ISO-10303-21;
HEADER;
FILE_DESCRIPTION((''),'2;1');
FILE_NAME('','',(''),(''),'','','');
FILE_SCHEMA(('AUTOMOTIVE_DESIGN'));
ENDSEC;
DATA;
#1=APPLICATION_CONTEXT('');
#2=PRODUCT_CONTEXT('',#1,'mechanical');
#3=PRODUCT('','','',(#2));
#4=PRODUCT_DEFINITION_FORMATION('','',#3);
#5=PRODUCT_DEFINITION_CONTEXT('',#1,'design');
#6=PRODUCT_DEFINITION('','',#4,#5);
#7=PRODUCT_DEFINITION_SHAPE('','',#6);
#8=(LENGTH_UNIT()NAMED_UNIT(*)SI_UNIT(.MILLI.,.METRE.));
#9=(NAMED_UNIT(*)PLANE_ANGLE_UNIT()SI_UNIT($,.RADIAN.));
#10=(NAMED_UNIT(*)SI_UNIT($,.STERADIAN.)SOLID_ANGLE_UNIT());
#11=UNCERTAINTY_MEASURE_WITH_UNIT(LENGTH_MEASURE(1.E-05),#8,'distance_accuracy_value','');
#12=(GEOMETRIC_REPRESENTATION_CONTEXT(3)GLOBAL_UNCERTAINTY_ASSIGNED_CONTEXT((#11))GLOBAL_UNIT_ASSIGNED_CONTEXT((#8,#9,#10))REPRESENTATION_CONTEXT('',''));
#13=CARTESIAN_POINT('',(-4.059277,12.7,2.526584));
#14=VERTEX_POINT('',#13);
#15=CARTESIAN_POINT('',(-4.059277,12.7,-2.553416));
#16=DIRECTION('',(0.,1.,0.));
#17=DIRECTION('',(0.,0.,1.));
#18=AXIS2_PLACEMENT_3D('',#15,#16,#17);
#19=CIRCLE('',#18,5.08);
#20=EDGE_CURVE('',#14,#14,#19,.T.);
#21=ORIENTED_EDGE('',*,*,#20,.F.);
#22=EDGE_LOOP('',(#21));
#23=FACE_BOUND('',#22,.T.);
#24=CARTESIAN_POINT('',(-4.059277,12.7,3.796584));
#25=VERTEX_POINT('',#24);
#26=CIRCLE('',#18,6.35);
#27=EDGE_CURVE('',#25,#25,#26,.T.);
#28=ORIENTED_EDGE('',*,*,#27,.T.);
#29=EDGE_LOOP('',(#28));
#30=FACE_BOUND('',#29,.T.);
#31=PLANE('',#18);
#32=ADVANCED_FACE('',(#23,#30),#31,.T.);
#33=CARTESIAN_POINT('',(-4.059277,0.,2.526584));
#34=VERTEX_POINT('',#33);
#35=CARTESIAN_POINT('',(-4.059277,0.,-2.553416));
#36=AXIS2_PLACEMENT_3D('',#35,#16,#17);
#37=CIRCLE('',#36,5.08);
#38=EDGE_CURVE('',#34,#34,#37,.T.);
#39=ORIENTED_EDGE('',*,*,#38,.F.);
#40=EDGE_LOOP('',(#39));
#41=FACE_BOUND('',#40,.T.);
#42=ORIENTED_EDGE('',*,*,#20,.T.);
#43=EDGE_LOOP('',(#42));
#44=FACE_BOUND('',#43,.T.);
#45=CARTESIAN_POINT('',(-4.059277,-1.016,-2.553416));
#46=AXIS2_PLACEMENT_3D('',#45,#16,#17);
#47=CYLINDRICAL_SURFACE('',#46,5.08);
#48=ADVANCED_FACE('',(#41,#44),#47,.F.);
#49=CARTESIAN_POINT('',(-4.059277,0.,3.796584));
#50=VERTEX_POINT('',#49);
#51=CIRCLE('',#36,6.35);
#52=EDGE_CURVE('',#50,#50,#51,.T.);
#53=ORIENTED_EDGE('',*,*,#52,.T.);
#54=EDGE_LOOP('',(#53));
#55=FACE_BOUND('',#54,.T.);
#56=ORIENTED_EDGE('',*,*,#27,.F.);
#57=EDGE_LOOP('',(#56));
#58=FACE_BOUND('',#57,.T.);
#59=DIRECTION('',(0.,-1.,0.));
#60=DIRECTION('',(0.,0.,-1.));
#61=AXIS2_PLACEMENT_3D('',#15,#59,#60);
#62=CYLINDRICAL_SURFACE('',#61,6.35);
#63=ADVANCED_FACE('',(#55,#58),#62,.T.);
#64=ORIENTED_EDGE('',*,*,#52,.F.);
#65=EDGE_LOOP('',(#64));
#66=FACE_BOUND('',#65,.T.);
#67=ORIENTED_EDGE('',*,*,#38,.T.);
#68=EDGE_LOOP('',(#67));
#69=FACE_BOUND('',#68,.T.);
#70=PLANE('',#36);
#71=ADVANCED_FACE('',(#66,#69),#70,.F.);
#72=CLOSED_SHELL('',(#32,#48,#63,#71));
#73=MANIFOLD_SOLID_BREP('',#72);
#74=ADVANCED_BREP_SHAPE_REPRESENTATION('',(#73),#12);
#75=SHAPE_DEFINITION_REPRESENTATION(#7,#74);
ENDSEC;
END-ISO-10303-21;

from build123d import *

# Parameters (mm, degrees)
SKETCH1_R           = 6.35
BOSS_EXTRUDE1_DEPTH = 12.7
SKETCH2_R           = 5.08
CUT_EXTRUDE1_DEPTH  = 13.716


with BuildPart() as part:
    # Sketch1 → Boss-Extrude1 (new body)
    with BuildSketch(Plane(origin=(0, 0, 0), x_dir=(1, 0, 0), z_dir=(0, 1, 0))):
        with Locations((-4.059276624, 2.553415941)):
            Circle(SKETCH1_R)
    extrude(amount=BOSS_EXTRUDE1_DEPTH)

    # Sketch2 → Cut-Extrude1 (cut)
    with BuildSketch(Plane(origin=(0, 12.7, 0), x_dir=(1, 0, 0), z_dir=(0, 1, 0))):
        with Locations((-4.059276624, 2.553415941)):
            Circle(SKETCH2_R)
    extrude(amount=-CUT_EXTRUDE1_DEPTH, mode=Mode.SUBTRACT)


solid = part.part
